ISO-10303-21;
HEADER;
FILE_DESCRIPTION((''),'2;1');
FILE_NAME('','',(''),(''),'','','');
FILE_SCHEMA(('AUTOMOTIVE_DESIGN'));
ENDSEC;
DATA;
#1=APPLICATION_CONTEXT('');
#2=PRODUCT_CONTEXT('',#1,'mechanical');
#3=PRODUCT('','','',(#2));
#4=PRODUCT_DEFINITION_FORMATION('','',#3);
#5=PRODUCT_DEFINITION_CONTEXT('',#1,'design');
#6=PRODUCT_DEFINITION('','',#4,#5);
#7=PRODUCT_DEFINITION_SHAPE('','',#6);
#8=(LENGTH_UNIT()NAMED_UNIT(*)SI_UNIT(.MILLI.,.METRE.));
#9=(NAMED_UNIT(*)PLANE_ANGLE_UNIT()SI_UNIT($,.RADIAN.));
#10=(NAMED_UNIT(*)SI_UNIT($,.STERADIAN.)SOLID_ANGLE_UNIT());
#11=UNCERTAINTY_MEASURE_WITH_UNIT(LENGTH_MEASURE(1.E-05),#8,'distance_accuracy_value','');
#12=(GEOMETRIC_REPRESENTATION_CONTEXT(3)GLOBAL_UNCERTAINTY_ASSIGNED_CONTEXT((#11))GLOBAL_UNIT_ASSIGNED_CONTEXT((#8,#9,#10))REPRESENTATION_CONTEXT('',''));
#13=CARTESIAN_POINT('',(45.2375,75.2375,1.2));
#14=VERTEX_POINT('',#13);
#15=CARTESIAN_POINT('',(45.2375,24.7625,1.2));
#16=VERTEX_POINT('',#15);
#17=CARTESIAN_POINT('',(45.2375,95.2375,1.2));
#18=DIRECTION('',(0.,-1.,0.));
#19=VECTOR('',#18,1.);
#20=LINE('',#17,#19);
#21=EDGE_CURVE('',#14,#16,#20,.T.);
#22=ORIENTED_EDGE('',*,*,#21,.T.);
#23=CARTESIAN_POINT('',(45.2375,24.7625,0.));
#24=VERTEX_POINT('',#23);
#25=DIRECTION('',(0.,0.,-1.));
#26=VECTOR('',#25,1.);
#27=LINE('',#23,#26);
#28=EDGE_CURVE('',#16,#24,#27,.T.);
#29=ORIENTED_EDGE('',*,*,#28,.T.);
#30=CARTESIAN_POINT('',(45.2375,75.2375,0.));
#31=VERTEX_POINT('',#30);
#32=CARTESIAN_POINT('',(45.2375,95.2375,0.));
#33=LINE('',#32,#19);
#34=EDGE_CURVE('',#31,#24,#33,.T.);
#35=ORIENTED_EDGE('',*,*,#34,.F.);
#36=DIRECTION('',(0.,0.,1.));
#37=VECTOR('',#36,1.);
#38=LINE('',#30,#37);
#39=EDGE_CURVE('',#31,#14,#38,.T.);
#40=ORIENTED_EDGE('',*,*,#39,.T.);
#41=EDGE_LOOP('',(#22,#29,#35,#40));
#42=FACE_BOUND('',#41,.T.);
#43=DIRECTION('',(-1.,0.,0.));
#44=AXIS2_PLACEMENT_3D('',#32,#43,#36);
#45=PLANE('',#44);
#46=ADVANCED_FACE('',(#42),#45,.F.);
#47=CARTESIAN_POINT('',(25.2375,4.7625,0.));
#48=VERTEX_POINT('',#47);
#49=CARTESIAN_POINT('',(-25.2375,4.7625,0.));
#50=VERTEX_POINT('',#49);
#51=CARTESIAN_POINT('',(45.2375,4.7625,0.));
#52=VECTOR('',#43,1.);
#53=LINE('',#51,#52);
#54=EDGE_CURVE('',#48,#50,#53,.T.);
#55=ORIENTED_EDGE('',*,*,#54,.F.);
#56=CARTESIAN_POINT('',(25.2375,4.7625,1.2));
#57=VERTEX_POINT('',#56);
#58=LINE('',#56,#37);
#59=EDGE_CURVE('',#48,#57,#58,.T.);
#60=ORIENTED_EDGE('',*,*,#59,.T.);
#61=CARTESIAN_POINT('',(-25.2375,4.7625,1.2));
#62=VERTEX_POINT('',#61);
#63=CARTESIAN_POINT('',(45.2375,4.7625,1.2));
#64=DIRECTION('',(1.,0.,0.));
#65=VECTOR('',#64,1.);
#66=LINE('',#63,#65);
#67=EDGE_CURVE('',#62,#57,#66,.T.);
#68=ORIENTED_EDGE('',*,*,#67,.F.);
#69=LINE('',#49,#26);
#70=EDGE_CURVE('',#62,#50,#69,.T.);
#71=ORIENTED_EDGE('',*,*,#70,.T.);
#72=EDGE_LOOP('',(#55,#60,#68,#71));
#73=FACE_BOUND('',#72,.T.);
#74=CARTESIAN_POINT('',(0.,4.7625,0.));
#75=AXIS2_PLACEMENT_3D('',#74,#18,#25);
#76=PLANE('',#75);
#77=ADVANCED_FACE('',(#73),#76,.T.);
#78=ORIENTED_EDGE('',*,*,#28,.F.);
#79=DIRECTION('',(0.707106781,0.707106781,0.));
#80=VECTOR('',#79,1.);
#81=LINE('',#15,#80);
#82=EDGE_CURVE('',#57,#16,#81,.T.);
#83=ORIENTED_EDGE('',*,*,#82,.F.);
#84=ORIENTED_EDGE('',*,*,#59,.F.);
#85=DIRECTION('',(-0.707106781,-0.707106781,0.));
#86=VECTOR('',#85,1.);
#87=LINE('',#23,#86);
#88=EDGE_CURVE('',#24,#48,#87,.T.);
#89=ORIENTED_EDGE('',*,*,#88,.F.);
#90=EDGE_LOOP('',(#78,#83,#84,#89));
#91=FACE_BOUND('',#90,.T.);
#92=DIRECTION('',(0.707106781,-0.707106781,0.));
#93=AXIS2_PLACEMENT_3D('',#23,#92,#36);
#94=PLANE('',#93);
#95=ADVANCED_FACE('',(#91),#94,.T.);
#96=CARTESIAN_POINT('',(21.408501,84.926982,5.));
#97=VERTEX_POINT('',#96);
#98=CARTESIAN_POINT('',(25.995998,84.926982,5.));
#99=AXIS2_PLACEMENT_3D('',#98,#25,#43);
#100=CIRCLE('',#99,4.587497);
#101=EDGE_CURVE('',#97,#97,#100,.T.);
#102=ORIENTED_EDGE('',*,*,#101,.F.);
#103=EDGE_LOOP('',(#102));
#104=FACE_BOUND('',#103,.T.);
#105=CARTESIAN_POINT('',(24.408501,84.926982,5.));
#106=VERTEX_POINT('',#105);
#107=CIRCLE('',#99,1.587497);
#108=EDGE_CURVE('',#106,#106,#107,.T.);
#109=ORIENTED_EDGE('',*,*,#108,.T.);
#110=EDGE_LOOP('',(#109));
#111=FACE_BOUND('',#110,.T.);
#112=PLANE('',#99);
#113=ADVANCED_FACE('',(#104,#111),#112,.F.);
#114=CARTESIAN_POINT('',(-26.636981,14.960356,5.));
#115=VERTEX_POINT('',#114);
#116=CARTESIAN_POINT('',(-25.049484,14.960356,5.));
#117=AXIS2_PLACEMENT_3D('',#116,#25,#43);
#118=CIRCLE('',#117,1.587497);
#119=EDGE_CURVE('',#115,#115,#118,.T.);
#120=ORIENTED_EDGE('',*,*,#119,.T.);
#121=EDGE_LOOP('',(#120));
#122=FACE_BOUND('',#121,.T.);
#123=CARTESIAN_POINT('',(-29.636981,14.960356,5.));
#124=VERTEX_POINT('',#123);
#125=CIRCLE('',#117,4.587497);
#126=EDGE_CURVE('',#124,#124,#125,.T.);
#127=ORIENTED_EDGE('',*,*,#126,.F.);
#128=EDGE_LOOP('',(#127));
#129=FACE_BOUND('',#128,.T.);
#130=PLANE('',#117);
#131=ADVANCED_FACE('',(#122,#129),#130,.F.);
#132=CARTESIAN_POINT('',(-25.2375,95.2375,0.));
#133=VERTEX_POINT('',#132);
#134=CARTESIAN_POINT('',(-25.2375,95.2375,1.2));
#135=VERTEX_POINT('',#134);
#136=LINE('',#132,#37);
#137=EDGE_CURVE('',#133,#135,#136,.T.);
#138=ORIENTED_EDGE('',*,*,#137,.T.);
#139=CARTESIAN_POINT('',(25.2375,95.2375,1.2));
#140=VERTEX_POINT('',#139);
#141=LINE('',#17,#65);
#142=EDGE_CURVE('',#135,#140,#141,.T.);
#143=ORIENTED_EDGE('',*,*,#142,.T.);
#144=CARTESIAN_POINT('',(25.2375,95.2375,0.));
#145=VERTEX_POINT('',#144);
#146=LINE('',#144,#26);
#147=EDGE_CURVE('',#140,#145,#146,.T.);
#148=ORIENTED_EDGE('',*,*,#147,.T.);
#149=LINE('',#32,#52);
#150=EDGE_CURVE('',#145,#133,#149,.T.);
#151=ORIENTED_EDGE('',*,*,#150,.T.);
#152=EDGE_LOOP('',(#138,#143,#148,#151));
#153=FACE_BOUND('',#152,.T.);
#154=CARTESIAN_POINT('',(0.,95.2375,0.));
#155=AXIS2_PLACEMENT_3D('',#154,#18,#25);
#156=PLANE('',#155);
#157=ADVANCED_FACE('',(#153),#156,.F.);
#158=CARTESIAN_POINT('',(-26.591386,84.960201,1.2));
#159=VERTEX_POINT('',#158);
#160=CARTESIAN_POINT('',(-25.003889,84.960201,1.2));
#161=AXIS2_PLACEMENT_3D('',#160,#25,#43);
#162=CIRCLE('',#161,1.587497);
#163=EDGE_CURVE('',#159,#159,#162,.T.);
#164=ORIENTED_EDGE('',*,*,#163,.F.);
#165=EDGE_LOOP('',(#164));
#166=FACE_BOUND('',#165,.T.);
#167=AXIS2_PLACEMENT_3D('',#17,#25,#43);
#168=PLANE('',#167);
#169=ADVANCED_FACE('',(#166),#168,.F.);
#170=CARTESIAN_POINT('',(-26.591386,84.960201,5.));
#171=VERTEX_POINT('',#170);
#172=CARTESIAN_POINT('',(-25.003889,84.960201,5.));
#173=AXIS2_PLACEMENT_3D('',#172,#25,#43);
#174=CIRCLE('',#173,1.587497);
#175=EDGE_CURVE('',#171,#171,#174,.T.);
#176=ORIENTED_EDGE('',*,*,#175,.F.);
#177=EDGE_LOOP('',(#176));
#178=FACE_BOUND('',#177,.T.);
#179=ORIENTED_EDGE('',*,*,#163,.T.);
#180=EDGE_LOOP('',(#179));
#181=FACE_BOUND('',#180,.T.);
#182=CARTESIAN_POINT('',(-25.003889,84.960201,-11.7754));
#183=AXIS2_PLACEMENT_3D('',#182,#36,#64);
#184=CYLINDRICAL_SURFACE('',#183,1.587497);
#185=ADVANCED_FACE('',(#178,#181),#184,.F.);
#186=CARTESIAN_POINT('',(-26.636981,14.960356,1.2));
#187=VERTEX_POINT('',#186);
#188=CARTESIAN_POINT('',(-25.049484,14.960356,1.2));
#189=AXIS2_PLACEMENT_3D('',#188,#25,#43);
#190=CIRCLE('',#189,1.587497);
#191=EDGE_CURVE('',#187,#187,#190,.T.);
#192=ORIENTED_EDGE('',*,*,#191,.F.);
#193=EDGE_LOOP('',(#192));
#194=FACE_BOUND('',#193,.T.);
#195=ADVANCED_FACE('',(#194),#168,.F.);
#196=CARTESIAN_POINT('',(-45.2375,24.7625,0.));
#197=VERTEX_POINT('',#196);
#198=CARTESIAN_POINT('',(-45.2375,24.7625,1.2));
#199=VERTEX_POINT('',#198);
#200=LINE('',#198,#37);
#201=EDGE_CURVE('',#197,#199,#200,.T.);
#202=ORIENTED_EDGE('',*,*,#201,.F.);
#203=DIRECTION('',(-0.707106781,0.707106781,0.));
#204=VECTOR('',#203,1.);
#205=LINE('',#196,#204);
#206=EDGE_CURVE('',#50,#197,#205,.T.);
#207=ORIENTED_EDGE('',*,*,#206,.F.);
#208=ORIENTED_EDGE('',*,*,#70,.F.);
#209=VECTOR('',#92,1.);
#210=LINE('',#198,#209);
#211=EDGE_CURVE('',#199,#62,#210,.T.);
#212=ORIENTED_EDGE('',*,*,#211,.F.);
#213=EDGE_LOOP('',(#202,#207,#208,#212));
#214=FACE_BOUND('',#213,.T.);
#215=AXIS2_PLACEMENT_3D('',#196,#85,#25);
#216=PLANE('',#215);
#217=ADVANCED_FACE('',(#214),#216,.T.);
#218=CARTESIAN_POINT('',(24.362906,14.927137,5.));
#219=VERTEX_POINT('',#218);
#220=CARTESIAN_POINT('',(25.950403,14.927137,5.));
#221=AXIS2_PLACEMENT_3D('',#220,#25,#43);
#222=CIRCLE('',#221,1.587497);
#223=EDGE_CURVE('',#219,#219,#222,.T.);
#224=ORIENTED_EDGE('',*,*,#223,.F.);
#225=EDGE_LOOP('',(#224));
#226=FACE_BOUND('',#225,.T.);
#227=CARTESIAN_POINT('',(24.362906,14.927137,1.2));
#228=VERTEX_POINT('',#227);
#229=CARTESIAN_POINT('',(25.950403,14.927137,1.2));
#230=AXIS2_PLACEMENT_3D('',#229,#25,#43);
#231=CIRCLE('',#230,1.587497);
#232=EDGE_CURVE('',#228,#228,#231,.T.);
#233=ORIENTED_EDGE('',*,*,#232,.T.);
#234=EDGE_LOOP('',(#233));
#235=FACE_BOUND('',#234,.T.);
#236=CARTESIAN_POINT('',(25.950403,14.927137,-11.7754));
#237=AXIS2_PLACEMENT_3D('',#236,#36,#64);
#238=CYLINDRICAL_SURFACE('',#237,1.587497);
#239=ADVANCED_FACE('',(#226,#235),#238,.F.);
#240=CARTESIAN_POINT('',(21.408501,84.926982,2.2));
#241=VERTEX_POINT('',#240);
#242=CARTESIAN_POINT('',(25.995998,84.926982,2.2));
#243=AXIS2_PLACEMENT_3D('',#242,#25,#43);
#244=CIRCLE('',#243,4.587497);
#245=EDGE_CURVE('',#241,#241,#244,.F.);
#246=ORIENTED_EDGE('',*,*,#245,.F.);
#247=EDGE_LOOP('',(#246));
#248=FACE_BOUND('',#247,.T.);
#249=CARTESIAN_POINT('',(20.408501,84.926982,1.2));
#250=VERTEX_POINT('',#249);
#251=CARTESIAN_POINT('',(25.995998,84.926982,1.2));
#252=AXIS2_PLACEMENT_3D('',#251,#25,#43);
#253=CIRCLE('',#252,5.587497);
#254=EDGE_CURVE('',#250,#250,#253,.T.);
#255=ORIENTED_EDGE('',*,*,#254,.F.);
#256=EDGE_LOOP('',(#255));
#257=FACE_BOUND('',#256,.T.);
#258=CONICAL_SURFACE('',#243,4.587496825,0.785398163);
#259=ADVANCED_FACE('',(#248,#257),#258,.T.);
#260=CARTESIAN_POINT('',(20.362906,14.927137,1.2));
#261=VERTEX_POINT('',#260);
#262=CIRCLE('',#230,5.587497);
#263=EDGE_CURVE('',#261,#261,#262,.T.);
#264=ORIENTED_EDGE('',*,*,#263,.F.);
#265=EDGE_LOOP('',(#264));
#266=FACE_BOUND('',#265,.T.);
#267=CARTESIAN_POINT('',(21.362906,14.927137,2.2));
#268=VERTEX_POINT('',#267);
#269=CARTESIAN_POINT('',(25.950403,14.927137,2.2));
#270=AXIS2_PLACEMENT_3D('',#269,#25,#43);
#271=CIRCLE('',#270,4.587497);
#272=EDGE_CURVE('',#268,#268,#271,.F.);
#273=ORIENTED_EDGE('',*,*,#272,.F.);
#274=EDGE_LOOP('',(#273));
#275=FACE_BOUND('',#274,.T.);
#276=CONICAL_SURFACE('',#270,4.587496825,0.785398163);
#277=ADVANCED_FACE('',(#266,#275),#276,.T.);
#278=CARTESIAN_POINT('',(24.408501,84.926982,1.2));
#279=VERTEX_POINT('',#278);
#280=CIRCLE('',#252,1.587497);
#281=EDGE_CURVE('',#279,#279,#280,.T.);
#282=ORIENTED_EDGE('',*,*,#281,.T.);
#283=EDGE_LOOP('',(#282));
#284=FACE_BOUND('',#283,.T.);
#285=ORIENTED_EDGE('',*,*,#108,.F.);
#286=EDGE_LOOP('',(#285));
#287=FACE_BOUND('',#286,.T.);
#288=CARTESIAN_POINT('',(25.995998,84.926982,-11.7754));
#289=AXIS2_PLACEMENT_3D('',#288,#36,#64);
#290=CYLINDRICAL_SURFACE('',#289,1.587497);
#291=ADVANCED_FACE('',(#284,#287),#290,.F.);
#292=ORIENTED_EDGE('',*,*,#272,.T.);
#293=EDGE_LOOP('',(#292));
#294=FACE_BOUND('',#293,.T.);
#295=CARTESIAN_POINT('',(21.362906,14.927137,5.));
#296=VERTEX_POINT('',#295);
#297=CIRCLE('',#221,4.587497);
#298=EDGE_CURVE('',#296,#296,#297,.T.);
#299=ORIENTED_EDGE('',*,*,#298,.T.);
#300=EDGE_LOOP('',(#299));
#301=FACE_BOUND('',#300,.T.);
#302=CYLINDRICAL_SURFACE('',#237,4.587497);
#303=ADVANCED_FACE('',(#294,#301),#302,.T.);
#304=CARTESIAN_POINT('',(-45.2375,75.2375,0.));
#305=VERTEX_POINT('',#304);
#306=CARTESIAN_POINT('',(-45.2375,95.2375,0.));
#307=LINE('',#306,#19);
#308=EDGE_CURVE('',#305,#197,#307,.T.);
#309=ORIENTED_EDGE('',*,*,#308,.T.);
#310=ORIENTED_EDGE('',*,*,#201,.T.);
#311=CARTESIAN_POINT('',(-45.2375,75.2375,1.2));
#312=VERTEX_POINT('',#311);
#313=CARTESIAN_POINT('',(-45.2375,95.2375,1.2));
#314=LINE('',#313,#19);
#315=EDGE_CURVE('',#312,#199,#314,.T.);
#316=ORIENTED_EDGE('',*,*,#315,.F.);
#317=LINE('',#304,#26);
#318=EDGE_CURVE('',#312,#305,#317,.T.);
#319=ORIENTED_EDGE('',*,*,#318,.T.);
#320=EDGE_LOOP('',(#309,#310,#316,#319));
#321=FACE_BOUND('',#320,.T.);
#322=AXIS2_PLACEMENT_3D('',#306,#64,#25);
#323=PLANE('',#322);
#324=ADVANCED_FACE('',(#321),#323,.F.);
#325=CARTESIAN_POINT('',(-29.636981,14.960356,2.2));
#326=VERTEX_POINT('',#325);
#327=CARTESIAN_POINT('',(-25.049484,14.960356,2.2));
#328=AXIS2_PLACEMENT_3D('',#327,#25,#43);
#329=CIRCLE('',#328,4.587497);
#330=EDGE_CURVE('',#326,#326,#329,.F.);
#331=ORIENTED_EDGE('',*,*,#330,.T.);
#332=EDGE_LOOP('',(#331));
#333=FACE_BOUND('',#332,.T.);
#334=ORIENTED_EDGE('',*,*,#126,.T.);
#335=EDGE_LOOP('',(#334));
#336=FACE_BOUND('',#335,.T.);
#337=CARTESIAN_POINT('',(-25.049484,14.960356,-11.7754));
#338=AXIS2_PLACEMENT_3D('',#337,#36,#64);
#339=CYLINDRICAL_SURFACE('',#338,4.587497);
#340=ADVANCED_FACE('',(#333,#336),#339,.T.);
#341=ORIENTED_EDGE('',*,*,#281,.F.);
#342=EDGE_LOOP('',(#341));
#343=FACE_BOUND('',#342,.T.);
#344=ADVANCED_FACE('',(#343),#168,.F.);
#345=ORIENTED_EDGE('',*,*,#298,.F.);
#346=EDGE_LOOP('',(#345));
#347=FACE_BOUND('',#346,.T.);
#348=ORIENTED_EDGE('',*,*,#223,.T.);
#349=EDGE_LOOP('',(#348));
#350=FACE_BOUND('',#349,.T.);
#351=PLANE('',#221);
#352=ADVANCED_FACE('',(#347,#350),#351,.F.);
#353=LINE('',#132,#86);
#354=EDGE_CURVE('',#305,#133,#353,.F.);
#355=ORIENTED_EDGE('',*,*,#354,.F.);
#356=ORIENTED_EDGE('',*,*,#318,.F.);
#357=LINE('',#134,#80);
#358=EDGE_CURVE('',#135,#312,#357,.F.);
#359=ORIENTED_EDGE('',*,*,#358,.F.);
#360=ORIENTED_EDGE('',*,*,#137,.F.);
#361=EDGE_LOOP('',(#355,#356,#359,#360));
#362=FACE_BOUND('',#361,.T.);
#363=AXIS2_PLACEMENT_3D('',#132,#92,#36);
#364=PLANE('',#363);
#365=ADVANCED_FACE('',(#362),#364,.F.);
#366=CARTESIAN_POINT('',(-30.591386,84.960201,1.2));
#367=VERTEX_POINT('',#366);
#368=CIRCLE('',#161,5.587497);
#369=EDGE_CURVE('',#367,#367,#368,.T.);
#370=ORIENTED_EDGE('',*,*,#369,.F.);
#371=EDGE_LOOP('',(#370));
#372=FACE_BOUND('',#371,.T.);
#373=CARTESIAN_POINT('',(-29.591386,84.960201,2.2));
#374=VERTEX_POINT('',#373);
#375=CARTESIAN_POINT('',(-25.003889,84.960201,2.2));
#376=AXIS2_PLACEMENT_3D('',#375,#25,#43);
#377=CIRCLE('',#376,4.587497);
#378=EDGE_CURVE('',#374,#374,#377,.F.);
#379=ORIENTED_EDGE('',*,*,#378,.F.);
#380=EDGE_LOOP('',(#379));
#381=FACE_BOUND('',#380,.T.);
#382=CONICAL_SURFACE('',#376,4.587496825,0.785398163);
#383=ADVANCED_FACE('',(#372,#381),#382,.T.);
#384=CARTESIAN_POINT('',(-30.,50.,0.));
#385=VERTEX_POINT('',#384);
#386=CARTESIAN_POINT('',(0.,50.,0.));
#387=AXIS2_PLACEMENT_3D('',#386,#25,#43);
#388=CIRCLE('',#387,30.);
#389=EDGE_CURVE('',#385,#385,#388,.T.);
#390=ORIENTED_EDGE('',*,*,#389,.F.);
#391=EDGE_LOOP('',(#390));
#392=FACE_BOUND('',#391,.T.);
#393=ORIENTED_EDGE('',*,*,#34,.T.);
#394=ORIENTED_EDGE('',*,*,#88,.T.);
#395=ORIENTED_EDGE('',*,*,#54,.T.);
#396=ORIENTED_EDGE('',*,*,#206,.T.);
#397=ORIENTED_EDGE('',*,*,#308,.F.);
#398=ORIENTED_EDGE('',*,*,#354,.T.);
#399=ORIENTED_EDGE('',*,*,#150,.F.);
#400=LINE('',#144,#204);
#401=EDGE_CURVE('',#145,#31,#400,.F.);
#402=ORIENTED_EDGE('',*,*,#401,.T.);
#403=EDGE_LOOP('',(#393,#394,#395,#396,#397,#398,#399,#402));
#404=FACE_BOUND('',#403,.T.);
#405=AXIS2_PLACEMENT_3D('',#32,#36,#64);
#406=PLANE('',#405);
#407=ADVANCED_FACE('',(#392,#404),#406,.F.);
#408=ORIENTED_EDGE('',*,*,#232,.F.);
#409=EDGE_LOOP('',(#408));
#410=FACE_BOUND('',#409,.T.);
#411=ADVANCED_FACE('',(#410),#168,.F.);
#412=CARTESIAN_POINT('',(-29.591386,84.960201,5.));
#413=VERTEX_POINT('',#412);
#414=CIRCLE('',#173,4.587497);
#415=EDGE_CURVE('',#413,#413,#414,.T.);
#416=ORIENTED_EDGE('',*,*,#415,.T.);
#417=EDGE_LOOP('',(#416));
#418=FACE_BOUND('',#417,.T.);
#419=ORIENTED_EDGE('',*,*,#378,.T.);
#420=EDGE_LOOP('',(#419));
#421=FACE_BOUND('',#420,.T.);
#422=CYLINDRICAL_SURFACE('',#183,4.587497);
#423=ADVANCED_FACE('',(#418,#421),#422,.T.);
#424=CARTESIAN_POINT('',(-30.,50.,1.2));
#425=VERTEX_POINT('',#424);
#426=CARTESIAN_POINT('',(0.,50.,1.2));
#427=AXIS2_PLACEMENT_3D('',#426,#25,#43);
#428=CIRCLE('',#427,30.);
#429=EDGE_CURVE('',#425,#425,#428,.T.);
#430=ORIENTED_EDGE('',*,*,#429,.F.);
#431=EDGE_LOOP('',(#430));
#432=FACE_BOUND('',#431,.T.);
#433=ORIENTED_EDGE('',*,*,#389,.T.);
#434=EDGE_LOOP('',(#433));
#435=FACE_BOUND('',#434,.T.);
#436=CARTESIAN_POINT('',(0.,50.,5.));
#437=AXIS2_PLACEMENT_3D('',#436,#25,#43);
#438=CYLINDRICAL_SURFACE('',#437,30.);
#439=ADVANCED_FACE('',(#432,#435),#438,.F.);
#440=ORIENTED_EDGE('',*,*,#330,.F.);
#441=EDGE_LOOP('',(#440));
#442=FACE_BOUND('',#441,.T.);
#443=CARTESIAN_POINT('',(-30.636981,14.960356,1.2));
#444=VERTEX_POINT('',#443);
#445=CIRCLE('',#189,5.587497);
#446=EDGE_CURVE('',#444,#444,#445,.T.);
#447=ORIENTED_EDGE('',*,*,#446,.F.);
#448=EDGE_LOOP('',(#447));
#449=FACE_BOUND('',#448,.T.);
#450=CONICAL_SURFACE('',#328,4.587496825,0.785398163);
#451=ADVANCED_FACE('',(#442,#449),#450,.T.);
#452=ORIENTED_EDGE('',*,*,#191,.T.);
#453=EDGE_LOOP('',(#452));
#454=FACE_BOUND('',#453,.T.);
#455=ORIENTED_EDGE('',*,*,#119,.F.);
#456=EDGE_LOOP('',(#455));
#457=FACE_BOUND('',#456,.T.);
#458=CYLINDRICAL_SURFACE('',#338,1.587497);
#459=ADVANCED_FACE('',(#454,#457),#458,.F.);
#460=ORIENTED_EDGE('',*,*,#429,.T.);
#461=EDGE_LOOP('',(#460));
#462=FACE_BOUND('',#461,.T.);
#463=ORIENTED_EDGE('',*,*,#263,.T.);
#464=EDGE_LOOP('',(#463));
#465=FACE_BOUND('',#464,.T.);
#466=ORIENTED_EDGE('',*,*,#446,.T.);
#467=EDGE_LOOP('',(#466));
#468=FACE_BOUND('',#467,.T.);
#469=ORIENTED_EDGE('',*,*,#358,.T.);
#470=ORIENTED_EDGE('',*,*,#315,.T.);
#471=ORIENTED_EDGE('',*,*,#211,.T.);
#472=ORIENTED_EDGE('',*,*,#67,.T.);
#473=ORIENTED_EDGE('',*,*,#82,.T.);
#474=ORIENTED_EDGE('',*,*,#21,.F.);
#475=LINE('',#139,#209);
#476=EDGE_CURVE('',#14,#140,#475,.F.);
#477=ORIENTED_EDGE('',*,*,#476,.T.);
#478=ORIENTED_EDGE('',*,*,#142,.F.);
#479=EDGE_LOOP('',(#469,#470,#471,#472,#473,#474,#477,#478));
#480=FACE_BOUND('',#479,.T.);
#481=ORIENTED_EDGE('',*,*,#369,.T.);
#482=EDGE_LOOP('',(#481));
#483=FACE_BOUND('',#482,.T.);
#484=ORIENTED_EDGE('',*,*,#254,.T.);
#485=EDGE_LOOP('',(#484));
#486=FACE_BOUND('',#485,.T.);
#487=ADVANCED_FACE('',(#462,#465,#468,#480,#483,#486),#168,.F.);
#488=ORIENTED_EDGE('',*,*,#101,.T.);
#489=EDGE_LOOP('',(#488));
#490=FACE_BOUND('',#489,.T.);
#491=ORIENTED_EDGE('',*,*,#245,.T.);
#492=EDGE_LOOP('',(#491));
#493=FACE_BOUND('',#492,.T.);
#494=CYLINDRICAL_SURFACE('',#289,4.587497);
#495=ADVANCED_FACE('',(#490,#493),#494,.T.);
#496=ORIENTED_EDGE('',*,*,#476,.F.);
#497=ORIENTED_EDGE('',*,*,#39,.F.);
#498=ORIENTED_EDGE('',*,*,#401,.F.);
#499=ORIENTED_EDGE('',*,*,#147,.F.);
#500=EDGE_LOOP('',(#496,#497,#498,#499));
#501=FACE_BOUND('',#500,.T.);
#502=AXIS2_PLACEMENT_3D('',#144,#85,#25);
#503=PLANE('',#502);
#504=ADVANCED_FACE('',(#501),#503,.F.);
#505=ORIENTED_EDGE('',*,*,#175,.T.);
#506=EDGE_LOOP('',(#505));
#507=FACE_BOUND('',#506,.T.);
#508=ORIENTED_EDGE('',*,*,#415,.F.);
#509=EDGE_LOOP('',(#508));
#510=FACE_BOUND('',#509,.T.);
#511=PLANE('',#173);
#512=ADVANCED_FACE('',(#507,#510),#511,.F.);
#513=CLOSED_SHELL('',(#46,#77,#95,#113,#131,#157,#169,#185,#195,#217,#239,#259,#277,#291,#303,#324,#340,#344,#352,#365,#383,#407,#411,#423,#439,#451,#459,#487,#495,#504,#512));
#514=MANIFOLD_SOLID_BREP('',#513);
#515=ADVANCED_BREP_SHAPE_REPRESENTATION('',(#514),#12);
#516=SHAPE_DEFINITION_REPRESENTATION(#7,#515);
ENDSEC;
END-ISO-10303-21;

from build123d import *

# Parameters (mm, degrees)
SKETCH2_W           = 90.475
SKETCH2_H           = 1.2
BOSS_EXTRUDE1_DEPTH = 90.475
SKETCH3_R           = 4.587496825
SKETCH3_R_2         = 1.587496825
EXTRUDE_THIN1_DEPTH = 3.8
CHAMFER1_SIZE       = 1
SKETCH5_R           = 30
CUT_EXTRUDE1_DEPTH  = 106.553838455
CHAMFER2_SIZE       = 20


with BuildPart() as part:
    # Sketch2 → Boss-Extrude1 (new body)
    with BuildSketch(Plane(origin=(0, 4.7625, 0), x_dir=(1, 0, 0), z_dir=(0, 1, 0))):
        with Locations((0, -0.6)):
            Rectangle(SKETCH2_W, SKETCH2_H)
    extrude(amount=BOSS_EXTRUDE1_DEPTH)

    # Sketch3 → Extrude-Thin1 (add)
    # profile 1 of 4: a face of its own
    with BuildSketch(Plane(origin=(0, 0, 5), x_dir=(-1, 0, 0), z_dir=(0, 0, -1))):
        with Locations((25.003889322, 84.960201446)):
            Circle(SKETCH3_R)
        with Locations((25.003889322, 84.960201446)):
            Circle(SKETCH3_R_2, mode=Mode.SUBTRACT)
    # profile 2 of 4: a face of its own
    with BuildSketch(Plane(origin=(0, 0, 5), x_dir=(-1, 0, 0), z_dir=(0, 0, -1))):
        with Locations((-25.995997859, 84.926982308)):
            Circle(SKETCH3_R)
        with Locations((-25.995997859, 84.926982308)):
            Circle(SKETCH3_R_2, mode=Mode.SUBTRACT)
    # profile 3 of 4: a face of its own
    with BuildSketch(Plane(origin=(0, 0, 5), x_dir=(-1, 0, 0), z_dir=(0, 0, -1))):
        with Locations((25.049484218, 14.960356296)):
            Circle(SKETCH3_R)
        with Locations((25.049484218, 14.960356296)):
            Circle(SKETCH3_R_2, mode=Mode.SUBTRACT)
    # profile 4 of 4: a face of its own
    with BuildSketch(Plane(origin=(0, 0, 5), x_dir=(-1, 0, 0), z_dir=(0, 0, -1))):
        with Locations((-25.950402964, 14.927137158)):
            Circle(SKETCH3_R)
        with Locations((-25.950402964, 14.927137158)):
            Circle(SKETCH3_R_2, mode=Mode.SUBTRACT)
    extrude(amount=EXTRUDE_THIN1_DEPTH)

    # Chamfer1
    chamfer1_edges = [part.edges().sort_by_distance(p)[0] for p in [
        (-20.416392497, 84.960201446, 1.2),
        (30.583494684, 84.926982308, 1.2),
        (-20.461987393, 14.960356296, 1.2),
        (30.537899789, 14.927137158, 1.2),
    ]]
    chamfer(chamfer1_edges, length=CHAMFER1_SIZE)

    # Sketch5 → Cut-Extrude1 (cut, through all)
    with BuildSketch(Plane(origin=(0, 0, 0), x_dir=(-1, 0, 0), z_dir=(0, 0, -1))):
        with Locations((0, 50)):
            Circle(SKETCH5_R)
    extrude(amount=-CUT_EXTRUDE1_DEPTH, mode=Mode.SUBTRACT)

    # Chamfer2
    chamfer2_edges = [part.edges().sort_by_distance(p)[0] for p in [
        (-45.2375, 95.2375, 0.6),
        (45.2375, 95.2375, 0.6),
        (-45.2375, 4.7625, 0.6),
        (45.2375, 4.7625, 0.6),
    ]]
    chamfer(chamfer2_edges, length=CHAMFER2_SIZE)


solid = part.part
